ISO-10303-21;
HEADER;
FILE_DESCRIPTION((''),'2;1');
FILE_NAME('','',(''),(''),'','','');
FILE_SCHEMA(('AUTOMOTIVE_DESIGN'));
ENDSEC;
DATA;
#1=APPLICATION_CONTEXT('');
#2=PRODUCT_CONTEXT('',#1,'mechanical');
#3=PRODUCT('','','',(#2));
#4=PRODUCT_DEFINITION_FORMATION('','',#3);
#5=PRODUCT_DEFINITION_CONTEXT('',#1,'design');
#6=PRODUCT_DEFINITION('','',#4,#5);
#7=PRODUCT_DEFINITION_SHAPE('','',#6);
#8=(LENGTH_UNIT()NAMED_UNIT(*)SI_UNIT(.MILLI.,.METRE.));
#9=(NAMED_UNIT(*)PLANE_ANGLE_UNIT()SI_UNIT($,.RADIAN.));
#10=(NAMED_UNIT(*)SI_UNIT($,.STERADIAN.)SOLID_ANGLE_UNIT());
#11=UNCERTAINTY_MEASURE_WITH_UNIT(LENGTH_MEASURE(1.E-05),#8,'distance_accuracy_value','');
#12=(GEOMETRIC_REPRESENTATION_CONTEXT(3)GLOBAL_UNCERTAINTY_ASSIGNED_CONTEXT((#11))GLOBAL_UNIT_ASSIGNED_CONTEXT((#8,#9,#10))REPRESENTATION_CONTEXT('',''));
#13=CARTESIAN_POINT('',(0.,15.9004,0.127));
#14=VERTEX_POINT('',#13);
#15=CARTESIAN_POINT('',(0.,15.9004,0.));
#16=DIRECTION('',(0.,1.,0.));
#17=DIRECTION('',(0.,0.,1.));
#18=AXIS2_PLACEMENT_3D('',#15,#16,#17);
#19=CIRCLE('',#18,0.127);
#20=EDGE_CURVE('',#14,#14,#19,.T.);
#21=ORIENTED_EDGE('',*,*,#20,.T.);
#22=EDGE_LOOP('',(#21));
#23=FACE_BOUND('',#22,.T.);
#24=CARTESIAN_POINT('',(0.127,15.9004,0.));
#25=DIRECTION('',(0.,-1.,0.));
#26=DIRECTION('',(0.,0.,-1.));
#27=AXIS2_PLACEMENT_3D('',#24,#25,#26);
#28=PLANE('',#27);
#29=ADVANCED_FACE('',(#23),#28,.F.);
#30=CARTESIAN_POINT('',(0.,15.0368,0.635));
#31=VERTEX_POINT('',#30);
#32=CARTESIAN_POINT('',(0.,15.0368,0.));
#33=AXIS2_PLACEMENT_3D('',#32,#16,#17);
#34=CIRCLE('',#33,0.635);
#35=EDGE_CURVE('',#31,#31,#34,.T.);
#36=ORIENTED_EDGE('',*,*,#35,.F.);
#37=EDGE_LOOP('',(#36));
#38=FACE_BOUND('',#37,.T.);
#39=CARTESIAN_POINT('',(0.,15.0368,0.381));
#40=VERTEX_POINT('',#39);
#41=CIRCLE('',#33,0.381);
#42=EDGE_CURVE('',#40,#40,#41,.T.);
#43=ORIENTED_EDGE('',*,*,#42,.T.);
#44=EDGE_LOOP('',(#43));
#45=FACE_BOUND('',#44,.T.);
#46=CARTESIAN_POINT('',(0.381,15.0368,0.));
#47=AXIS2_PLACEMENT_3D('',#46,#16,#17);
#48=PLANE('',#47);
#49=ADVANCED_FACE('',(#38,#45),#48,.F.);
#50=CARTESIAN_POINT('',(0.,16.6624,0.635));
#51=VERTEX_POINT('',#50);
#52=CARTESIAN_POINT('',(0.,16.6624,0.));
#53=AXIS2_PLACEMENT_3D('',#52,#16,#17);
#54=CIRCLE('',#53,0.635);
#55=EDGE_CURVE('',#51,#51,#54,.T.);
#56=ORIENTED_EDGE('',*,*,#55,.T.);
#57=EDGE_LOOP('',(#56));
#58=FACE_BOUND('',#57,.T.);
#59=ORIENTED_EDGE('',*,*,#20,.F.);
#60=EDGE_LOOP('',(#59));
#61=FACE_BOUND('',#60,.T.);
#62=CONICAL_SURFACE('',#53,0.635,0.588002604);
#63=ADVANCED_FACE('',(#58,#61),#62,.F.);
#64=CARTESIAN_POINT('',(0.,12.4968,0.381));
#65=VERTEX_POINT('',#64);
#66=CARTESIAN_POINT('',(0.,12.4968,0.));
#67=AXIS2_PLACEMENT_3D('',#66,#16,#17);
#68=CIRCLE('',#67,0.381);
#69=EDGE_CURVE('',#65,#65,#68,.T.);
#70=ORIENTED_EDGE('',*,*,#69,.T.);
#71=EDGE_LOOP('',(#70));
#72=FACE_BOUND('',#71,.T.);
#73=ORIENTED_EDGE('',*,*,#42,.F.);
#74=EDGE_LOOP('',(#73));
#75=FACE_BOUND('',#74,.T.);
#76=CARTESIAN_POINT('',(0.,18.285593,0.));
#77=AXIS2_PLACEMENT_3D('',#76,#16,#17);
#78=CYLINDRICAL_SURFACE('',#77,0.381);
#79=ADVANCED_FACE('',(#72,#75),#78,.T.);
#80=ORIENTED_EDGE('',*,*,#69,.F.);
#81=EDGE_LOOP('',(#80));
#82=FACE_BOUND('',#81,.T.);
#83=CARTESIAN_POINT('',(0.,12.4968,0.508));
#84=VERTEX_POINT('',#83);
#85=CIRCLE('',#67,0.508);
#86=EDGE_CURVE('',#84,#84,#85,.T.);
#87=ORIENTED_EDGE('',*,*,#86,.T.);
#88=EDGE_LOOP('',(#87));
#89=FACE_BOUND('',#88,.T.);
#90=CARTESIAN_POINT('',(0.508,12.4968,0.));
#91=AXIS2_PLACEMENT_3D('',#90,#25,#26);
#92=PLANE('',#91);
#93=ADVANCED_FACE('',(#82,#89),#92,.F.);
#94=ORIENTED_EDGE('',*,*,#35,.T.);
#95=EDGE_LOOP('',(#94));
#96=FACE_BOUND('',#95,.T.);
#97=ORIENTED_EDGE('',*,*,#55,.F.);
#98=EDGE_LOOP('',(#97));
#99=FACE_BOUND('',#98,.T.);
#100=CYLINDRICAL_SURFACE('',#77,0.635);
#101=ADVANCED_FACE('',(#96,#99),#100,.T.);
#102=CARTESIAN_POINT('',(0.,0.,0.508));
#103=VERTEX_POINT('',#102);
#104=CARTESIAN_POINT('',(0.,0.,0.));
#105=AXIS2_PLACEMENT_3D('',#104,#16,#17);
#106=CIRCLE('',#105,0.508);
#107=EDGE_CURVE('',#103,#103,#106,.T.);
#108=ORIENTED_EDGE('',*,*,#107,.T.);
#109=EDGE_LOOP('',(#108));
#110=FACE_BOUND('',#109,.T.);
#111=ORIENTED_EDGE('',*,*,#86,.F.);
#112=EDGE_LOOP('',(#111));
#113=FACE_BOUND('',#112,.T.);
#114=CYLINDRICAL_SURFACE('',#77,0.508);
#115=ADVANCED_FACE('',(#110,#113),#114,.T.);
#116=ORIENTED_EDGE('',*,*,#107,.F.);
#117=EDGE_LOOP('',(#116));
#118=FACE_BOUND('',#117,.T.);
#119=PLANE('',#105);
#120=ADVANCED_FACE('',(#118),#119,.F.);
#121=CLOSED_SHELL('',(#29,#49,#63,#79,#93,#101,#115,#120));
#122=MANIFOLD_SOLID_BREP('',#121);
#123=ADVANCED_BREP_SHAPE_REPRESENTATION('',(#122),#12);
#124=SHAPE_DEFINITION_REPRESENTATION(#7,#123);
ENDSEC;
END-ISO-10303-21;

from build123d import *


with BuildPart() as part:
    # Sketch1 → Revolve1 (revolve)
    with BuildSketch(Plane.XY):
        Polygon((0, 0), (0.508, 0), (0.508, 12.4968), (0.381, 12.4968), (0.381, 15.0368), (0.635, 15.0368), (0.635, 16.6624), (0.127, 15.9004), (0, 15.9004), align=None)
    revolve(axis=Axis((0, 18.285593004, 0), (0, -1, 0)))


solid = part.part
